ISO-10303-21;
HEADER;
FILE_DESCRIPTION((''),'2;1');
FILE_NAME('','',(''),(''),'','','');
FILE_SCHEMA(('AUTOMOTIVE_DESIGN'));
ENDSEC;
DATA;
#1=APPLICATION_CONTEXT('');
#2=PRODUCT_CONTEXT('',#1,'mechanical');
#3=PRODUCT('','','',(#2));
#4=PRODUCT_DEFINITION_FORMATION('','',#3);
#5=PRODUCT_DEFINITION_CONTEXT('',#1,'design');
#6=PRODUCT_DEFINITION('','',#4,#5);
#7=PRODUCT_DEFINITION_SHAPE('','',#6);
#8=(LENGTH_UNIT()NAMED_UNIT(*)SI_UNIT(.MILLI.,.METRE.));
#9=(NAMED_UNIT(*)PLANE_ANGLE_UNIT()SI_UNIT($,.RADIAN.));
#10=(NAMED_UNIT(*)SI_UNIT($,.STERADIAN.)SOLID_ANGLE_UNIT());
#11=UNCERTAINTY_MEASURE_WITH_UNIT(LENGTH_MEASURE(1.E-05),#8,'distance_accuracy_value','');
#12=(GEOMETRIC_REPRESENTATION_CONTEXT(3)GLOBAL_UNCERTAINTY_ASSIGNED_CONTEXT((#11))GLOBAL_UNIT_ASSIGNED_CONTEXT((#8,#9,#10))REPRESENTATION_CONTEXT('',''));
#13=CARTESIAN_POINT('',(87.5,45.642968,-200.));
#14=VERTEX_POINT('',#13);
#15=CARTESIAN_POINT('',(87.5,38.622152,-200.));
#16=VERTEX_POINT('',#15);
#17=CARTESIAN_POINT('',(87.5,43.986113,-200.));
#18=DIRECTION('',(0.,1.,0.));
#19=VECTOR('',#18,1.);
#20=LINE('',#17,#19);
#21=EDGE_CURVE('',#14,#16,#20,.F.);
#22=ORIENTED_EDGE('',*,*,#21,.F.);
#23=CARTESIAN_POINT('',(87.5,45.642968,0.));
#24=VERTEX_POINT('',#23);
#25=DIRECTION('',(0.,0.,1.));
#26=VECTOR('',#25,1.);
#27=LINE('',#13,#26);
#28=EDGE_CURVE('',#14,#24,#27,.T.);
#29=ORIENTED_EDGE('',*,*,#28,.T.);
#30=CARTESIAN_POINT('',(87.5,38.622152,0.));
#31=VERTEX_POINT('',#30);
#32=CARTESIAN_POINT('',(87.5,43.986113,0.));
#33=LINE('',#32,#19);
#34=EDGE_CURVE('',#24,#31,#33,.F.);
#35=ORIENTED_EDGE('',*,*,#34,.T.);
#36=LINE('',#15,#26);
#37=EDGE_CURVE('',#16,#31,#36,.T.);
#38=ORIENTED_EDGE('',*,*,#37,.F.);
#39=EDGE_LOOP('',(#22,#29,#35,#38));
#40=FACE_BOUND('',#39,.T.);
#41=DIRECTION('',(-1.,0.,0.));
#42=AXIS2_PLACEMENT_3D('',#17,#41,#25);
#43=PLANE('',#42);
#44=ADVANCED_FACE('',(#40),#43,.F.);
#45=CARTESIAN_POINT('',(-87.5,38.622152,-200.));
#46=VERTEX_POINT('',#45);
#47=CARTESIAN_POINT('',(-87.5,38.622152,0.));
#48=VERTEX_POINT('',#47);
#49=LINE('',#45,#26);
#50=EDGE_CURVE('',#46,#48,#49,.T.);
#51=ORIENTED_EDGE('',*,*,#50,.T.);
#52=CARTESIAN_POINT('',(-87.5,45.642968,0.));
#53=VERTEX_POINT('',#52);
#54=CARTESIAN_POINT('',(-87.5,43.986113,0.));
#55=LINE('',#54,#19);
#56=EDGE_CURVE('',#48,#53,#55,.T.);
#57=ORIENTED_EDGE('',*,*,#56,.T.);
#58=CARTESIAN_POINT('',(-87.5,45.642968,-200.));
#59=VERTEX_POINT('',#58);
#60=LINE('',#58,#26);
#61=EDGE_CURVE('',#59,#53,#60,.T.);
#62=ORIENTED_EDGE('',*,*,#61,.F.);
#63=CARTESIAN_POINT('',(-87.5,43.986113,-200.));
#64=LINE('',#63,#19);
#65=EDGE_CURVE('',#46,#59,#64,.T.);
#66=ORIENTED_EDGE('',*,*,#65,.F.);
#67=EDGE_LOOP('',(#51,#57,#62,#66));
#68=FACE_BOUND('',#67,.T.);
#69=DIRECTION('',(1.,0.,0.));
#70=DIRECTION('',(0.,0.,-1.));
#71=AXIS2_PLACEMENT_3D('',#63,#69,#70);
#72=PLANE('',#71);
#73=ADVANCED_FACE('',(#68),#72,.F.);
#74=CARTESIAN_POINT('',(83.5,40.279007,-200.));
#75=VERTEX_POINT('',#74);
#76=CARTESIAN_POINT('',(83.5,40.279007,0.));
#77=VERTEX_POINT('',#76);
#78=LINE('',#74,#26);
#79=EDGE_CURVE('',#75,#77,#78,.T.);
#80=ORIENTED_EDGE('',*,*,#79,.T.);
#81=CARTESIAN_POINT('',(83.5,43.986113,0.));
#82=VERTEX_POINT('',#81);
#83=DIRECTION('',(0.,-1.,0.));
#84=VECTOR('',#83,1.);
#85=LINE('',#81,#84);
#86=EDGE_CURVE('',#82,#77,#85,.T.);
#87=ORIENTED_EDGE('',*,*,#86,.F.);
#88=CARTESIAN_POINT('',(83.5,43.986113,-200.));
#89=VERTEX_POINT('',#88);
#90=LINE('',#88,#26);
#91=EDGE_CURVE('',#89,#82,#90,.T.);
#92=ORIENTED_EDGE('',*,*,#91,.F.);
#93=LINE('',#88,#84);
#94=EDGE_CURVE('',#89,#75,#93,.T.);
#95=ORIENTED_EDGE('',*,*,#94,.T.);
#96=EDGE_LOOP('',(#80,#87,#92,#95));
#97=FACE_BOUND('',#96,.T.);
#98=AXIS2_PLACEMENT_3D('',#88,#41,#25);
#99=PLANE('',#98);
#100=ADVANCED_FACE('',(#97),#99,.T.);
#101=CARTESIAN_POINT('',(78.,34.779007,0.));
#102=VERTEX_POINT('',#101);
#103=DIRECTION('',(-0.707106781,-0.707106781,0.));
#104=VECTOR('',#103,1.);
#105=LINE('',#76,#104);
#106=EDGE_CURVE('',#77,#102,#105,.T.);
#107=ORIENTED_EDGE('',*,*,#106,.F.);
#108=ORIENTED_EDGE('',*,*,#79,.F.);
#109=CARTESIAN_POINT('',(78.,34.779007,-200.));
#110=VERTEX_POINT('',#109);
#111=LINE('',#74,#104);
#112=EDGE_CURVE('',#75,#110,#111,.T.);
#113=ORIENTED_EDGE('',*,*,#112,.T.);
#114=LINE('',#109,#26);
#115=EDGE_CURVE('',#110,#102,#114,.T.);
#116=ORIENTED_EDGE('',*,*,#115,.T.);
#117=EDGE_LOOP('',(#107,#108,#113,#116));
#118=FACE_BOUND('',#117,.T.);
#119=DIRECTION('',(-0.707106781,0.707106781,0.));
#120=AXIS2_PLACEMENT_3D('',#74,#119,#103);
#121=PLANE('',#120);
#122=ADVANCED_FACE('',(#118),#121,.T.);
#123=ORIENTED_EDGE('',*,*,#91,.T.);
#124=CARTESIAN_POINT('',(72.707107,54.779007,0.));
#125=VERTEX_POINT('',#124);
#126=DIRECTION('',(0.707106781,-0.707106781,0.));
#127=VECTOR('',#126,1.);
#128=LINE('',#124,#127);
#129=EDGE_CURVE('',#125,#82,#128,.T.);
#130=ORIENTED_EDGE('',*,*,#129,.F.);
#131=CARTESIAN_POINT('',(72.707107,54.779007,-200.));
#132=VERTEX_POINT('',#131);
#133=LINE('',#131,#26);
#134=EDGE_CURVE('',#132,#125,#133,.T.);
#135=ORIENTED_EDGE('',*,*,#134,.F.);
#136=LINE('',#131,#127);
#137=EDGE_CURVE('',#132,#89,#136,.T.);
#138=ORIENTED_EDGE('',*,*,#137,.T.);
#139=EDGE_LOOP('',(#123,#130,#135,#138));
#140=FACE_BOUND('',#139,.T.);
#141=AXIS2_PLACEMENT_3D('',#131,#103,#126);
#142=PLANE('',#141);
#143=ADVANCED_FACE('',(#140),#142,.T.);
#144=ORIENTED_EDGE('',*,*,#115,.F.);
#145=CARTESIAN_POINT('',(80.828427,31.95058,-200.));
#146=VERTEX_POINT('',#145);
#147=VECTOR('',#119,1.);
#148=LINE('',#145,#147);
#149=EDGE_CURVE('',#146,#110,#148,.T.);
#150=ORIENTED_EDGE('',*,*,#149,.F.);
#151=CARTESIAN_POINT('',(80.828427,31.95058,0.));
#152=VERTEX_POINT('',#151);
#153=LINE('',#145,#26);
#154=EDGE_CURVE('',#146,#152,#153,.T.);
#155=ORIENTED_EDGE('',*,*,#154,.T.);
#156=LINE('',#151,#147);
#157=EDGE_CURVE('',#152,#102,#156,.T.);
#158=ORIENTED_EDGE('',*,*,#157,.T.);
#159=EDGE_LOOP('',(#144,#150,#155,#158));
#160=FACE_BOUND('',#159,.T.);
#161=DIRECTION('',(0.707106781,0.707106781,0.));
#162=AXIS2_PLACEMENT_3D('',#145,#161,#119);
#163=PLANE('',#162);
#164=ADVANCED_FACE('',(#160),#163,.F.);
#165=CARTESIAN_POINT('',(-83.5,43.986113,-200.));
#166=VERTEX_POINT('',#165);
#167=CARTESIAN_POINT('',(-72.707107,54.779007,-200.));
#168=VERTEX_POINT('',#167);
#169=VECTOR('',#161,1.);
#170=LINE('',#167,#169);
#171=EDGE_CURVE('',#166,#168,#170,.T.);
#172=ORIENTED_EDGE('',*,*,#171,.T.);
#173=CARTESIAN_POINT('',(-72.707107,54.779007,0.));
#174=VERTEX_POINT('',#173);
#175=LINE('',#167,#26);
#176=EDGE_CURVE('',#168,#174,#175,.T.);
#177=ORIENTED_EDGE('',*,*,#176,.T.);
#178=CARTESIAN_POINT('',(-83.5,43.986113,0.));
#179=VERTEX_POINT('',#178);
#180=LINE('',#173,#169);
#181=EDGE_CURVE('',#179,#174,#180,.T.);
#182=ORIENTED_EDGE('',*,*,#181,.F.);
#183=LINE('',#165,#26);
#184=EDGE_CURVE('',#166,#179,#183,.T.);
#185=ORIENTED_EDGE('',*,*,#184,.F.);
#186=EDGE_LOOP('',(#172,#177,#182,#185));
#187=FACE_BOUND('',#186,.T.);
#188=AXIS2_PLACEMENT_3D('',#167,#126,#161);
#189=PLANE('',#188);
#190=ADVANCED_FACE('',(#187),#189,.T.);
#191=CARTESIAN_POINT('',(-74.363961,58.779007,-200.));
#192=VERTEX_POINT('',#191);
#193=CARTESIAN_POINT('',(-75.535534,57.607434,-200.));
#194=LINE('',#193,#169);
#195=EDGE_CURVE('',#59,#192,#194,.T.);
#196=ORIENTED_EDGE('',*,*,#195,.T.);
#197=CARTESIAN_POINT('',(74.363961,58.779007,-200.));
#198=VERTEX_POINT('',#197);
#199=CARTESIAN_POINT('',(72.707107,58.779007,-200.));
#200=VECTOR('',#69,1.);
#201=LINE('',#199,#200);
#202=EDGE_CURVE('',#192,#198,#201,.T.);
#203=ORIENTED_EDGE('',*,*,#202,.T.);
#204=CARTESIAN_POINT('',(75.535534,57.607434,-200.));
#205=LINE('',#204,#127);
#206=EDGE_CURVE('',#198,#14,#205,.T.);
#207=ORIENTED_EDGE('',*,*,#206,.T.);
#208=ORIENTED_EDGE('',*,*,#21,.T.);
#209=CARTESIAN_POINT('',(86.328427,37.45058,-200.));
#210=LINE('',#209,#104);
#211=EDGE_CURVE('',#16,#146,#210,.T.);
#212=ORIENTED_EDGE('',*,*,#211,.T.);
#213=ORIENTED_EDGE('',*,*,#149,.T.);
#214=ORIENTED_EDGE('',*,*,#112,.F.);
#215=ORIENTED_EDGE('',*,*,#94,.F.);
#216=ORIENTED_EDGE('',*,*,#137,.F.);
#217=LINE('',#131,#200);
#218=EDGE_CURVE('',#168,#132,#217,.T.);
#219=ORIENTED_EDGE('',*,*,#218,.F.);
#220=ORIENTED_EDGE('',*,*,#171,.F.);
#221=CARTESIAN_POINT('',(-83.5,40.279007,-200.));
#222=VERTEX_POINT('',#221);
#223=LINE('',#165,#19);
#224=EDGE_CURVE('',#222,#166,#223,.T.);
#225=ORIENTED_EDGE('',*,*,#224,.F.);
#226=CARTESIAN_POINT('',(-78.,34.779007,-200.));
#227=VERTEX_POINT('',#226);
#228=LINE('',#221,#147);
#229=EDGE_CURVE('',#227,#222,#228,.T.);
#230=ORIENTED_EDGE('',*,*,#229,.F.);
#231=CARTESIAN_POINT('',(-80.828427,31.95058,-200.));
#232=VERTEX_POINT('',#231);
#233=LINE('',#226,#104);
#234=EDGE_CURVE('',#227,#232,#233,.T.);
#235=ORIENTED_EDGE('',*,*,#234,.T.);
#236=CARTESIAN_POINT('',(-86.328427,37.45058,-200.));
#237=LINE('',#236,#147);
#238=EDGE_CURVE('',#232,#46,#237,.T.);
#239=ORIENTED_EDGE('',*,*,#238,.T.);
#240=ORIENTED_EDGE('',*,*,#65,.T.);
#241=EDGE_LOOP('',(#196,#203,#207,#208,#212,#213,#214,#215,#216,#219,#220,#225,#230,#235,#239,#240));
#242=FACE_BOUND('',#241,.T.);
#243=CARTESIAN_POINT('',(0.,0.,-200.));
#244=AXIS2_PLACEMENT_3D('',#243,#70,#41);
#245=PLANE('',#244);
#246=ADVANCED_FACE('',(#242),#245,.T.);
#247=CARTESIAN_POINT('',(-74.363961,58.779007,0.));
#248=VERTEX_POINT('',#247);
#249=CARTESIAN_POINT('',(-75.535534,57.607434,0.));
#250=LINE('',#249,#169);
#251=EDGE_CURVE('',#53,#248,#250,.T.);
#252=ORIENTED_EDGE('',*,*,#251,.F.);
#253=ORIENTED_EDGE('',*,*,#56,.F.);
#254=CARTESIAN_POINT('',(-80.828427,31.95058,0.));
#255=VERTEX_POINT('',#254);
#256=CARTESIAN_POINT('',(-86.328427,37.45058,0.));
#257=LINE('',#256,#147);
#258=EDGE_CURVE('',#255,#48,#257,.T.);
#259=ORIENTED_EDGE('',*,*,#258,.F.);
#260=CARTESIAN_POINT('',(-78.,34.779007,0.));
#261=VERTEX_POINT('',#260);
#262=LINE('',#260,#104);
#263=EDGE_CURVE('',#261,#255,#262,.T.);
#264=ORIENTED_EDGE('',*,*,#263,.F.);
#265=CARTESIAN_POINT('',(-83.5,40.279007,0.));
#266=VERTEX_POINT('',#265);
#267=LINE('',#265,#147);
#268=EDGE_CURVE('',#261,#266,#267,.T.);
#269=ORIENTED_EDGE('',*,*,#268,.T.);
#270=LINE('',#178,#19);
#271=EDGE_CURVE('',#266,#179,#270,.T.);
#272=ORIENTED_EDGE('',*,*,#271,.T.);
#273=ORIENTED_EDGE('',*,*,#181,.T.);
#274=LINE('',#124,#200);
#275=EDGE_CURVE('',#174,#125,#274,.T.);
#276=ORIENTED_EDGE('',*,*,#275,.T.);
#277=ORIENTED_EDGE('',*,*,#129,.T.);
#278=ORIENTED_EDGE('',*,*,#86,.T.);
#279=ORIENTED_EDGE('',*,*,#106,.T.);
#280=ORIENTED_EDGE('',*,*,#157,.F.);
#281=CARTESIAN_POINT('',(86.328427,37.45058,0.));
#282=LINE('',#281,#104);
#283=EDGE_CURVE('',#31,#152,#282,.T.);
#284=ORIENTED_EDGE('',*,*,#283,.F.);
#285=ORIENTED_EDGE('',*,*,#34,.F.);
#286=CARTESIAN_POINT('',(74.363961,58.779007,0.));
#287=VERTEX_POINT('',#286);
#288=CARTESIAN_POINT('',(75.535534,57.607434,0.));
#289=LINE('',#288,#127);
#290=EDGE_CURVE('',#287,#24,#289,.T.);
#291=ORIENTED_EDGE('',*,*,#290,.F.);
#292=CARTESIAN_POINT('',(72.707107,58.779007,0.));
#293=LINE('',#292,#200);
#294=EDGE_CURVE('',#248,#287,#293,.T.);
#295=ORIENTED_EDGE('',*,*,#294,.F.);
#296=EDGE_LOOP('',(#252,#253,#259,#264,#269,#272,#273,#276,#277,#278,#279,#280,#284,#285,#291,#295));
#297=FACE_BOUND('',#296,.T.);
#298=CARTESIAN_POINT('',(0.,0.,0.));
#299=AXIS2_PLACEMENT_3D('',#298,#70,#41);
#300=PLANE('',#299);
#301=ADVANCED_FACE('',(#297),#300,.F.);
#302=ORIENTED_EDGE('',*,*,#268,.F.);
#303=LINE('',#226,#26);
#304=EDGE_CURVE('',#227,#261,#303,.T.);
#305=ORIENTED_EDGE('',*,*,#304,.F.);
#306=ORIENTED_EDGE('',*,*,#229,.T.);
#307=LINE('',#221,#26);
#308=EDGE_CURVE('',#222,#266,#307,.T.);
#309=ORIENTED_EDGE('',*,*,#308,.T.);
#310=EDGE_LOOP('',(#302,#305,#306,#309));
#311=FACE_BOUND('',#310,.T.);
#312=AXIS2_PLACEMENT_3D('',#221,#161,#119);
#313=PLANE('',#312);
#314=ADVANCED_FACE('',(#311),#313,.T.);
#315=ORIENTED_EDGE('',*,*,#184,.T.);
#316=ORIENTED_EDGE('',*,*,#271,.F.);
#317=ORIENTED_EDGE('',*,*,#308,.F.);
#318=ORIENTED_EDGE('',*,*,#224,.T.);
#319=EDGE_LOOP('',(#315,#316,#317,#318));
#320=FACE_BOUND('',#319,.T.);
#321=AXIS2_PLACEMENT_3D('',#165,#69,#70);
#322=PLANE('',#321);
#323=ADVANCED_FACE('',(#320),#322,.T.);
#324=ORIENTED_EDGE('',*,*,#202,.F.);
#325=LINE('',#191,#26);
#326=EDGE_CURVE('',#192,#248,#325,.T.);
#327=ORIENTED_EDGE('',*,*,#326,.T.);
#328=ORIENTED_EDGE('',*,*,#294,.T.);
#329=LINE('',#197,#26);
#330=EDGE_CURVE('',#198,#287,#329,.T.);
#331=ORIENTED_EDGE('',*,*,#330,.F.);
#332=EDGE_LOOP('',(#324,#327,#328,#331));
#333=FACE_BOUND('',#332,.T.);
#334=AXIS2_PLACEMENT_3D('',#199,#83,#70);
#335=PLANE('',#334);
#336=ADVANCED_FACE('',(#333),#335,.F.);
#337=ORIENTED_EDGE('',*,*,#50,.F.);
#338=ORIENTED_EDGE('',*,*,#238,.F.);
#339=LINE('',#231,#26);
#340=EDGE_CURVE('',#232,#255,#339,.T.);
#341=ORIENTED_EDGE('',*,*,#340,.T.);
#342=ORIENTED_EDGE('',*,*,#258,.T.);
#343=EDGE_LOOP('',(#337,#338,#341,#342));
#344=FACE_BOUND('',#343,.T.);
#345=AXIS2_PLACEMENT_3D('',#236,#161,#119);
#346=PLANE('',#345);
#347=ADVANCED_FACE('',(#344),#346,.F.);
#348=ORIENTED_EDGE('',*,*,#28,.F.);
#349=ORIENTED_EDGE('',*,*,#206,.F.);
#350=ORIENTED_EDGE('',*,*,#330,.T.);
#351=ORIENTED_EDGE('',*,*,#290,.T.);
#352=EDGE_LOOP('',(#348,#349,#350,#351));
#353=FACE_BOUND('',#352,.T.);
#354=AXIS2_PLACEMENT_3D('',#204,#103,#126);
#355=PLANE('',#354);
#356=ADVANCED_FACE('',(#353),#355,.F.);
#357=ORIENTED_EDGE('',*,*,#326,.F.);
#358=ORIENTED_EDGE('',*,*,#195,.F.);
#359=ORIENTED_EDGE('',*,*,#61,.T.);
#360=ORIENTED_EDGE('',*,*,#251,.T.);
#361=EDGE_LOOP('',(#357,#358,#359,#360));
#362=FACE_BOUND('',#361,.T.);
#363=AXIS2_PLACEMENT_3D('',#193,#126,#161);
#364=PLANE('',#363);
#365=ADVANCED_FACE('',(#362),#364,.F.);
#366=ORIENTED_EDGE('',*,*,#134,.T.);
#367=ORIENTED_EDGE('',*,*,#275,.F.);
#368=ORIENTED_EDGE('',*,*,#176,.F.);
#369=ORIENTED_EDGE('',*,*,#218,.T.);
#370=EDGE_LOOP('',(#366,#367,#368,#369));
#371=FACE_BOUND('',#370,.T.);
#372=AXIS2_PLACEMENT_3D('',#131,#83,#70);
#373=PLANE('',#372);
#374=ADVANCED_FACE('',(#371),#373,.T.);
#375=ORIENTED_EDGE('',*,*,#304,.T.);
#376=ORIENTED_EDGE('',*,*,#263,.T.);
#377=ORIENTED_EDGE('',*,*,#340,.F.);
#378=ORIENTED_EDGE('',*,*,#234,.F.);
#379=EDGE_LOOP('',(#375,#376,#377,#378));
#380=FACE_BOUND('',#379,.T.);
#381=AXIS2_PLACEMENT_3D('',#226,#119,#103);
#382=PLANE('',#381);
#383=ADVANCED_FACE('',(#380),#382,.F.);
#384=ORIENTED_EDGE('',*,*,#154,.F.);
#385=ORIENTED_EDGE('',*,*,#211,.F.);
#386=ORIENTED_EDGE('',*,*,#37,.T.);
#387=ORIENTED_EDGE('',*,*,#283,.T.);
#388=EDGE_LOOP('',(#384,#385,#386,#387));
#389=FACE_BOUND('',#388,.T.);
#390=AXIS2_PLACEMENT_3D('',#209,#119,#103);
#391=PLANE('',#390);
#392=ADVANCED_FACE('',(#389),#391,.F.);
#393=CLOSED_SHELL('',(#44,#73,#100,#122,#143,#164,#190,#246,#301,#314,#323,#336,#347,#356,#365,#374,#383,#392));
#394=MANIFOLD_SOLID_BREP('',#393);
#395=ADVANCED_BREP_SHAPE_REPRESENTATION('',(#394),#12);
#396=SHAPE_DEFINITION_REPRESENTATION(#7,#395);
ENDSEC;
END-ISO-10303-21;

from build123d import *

# Parameters (mm, degrees)
EXTRUDE_1_DEPTH = 200


with BuildPart() as part:
    # 草图1 → 拉伸-薄壁1 (new body)
    with BuildSketch(Plane.XY):
        Polygon((-78, 34.779006664), (-83.5, 40.279006664), (-83.5, 43.986113445), (-72.707106781, 54.779006664), (72.707106781, 54.779006664), (83.5, 43.986113445), (83.5, 40.279006664), (78, 34.779006664), (80.828427125, 31.950579539), (87.5, 38.622152414), (87.5, 45.642967694), (74.363961031, 58.779006664), (-74.363961031, 58.779006664), (-87.5, 45.642967694), (-87.5, 38.622152414), (-80.828427125, 31.950579539), align=None)
    extrude(amount=-EXTRUDE_1_DEPTH)


solid = part.part
